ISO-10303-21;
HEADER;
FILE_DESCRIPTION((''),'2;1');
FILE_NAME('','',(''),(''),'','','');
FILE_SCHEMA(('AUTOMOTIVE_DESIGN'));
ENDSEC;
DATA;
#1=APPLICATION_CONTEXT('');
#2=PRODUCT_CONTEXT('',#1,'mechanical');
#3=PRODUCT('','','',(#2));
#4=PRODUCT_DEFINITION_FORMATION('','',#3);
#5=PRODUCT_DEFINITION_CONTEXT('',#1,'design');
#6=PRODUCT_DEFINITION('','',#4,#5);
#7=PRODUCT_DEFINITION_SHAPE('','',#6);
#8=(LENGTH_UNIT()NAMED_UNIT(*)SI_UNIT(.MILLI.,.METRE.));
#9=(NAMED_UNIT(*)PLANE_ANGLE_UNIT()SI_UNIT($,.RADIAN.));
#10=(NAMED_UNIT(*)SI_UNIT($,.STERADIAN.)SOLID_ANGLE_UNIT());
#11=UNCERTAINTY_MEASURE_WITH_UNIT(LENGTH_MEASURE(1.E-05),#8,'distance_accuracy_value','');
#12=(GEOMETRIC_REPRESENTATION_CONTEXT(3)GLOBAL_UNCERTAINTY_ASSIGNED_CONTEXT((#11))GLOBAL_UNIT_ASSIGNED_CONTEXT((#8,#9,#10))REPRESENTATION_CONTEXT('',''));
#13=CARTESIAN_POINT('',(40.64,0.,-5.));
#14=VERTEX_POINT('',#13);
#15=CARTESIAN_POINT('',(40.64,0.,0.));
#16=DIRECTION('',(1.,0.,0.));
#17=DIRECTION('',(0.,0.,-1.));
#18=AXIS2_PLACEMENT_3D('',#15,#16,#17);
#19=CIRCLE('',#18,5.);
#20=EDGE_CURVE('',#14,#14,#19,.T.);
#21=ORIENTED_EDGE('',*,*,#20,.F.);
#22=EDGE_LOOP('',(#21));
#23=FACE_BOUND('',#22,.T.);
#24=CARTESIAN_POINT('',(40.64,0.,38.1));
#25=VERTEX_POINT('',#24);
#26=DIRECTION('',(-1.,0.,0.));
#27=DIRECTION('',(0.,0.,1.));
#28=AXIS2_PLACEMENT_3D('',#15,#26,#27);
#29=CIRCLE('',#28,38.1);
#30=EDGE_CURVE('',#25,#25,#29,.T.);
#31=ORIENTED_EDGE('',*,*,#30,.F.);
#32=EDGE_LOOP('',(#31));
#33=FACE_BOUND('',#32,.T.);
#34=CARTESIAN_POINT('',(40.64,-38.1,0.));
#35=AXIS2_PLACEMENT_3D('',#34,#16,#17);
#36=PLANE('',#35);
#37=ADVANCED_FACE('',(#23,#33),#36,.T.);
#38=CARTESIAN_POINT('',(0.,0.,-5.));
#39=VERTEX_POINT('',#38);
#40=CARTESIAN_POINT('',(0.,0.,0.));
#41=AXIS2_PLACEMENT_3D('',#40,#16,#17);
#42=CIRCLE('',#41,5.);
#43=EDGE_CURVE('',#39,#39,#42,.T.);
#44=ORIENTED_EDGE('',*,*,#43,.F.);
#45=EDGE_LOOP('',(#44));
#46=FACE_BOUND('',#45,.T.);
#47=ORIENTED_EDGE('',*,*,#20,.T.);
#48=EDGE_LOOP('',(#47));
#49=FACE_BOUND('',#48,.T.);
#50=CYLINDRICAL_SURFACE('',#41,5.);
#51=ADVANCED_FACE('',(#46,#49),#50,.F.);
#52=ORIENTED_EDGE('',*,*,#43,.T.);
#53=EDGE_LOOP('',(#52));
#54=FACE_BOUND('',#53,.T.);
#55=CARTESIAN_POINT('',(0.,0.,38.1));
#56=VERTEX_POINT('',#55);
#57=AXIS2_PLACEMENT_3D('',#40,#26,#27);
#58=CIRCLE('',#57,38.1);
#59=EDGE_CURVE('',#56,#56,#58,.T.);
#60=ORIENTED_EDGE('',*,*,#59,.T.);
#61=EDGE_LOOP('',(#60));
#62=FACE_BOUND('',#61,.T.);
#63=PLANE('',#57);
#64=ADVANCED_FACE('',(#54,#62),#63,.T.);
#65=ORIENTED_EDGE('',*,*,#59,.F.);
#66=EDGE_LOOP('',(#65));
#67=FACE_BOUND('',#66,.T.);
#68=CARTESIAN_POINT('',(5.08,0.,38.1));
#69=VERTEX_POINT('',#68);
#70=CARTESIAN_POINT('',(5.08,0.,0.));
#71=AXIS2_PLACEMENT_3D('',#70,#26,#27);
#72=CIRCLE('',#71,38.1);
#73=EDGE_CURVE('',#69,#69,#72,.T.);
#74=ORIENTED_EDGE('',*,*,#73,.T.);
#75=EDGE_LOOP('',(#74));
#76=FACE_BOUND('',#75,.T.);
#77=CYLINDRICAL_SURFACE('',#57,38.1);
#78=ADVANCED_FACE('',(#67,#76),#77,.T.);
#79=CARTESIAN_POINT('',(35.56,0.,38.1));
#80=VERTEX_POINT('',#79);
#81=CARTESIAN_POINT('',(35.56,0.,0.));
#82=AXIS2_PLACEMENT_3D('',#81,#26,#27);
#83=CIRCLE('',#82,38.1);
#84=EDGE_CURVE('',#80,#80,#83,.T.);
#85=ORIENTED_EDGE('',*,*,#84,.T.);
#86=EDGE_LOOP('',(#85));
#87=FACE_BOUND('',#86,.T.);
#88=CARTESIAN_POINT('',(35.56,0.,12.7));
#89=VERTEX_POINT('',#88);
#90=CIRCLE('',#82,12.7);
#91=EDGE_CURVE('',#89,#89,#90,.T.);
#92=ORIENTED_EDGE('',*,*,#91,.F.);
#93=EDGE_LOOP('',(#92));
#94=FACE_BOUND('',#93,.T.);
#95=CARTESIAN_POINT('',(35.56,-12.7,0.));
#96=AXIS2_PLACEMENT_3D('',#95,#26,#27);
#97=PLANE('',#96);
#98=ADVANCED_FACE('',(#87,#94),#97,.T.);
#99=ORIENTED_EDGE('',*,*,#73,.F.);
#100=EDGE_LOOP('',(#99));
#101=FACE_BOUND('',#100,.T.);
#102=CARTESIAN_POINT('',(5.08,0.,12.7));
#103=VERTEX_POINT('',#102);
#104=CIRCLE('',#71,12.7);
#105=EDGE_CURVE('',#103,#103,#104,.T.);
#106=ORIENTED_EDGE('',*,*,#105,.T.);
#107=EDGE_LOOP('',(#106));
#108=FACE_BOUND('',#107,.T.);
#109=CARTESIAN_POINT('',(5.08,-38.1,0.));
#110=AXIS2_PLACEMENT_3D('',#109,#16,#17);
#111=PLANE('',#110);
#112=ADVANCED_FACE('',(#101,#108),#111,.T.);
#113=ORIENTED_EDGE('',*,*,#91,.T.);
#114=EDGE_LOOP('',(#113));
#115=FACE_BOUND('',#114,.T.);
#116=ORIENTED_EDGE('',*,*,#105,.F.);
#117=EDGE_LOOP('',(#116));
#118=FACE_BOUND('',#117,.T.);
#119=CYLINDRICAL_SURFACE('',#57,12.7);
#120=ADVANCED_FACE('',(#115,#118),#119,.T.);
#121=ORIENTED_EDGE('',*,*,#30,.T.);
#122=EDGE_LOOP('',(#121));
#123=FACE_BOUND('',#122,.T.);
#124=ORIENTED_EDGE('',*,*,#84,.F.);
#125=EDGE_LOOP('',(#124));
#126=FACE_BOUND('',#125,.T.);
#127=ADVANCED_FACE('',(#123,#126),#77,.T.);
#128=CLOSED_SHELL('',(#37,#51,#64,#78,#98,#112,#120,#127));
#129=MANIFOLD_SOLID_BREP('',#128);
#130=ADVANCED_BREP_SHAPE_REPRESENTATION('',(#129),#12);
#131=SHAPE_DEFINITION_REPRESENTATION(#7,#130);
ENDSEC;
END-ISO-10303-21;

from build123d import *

# Parameters (mm, degrees)
SKETCH2_R          = 5
CUT_EXTRUDE1_DEPTH = 40.64


with BuildPart() as part:
    # Sketch1 → Revolve1 (revolve)
    with BuildSketch(Plane.XY, mode=Mode.PRIVATE) as revolve1_sk:
        Polygon((0, 0), (40.64, 0), (40.64, -38.1), (35.56, -38.1), (35.56, -12.7), (5.08, -12.7), (5.08, -38.1), (0, -38.1), align=None)
    revolve(revolve1_sk.sketch.rotate(Axis((0, 0, 0), (1, 0, 0)), 270), axis=Axis((0, 0, 0), (1, 0, 0)))

    # Sketch2 → Cut-Extrude1 (cut)
    with BuildSketch(Plane(origin=(40.64, 0, 0), x_dir=(0, 0, -1), z_dir=(1, 0, 0))):
        Circle(SKETCH2_R)
    extrude(amount=-CUT_EXTRUDE1_DEPTH, mode=Mode.SUBTRACT)


solid = part.part
